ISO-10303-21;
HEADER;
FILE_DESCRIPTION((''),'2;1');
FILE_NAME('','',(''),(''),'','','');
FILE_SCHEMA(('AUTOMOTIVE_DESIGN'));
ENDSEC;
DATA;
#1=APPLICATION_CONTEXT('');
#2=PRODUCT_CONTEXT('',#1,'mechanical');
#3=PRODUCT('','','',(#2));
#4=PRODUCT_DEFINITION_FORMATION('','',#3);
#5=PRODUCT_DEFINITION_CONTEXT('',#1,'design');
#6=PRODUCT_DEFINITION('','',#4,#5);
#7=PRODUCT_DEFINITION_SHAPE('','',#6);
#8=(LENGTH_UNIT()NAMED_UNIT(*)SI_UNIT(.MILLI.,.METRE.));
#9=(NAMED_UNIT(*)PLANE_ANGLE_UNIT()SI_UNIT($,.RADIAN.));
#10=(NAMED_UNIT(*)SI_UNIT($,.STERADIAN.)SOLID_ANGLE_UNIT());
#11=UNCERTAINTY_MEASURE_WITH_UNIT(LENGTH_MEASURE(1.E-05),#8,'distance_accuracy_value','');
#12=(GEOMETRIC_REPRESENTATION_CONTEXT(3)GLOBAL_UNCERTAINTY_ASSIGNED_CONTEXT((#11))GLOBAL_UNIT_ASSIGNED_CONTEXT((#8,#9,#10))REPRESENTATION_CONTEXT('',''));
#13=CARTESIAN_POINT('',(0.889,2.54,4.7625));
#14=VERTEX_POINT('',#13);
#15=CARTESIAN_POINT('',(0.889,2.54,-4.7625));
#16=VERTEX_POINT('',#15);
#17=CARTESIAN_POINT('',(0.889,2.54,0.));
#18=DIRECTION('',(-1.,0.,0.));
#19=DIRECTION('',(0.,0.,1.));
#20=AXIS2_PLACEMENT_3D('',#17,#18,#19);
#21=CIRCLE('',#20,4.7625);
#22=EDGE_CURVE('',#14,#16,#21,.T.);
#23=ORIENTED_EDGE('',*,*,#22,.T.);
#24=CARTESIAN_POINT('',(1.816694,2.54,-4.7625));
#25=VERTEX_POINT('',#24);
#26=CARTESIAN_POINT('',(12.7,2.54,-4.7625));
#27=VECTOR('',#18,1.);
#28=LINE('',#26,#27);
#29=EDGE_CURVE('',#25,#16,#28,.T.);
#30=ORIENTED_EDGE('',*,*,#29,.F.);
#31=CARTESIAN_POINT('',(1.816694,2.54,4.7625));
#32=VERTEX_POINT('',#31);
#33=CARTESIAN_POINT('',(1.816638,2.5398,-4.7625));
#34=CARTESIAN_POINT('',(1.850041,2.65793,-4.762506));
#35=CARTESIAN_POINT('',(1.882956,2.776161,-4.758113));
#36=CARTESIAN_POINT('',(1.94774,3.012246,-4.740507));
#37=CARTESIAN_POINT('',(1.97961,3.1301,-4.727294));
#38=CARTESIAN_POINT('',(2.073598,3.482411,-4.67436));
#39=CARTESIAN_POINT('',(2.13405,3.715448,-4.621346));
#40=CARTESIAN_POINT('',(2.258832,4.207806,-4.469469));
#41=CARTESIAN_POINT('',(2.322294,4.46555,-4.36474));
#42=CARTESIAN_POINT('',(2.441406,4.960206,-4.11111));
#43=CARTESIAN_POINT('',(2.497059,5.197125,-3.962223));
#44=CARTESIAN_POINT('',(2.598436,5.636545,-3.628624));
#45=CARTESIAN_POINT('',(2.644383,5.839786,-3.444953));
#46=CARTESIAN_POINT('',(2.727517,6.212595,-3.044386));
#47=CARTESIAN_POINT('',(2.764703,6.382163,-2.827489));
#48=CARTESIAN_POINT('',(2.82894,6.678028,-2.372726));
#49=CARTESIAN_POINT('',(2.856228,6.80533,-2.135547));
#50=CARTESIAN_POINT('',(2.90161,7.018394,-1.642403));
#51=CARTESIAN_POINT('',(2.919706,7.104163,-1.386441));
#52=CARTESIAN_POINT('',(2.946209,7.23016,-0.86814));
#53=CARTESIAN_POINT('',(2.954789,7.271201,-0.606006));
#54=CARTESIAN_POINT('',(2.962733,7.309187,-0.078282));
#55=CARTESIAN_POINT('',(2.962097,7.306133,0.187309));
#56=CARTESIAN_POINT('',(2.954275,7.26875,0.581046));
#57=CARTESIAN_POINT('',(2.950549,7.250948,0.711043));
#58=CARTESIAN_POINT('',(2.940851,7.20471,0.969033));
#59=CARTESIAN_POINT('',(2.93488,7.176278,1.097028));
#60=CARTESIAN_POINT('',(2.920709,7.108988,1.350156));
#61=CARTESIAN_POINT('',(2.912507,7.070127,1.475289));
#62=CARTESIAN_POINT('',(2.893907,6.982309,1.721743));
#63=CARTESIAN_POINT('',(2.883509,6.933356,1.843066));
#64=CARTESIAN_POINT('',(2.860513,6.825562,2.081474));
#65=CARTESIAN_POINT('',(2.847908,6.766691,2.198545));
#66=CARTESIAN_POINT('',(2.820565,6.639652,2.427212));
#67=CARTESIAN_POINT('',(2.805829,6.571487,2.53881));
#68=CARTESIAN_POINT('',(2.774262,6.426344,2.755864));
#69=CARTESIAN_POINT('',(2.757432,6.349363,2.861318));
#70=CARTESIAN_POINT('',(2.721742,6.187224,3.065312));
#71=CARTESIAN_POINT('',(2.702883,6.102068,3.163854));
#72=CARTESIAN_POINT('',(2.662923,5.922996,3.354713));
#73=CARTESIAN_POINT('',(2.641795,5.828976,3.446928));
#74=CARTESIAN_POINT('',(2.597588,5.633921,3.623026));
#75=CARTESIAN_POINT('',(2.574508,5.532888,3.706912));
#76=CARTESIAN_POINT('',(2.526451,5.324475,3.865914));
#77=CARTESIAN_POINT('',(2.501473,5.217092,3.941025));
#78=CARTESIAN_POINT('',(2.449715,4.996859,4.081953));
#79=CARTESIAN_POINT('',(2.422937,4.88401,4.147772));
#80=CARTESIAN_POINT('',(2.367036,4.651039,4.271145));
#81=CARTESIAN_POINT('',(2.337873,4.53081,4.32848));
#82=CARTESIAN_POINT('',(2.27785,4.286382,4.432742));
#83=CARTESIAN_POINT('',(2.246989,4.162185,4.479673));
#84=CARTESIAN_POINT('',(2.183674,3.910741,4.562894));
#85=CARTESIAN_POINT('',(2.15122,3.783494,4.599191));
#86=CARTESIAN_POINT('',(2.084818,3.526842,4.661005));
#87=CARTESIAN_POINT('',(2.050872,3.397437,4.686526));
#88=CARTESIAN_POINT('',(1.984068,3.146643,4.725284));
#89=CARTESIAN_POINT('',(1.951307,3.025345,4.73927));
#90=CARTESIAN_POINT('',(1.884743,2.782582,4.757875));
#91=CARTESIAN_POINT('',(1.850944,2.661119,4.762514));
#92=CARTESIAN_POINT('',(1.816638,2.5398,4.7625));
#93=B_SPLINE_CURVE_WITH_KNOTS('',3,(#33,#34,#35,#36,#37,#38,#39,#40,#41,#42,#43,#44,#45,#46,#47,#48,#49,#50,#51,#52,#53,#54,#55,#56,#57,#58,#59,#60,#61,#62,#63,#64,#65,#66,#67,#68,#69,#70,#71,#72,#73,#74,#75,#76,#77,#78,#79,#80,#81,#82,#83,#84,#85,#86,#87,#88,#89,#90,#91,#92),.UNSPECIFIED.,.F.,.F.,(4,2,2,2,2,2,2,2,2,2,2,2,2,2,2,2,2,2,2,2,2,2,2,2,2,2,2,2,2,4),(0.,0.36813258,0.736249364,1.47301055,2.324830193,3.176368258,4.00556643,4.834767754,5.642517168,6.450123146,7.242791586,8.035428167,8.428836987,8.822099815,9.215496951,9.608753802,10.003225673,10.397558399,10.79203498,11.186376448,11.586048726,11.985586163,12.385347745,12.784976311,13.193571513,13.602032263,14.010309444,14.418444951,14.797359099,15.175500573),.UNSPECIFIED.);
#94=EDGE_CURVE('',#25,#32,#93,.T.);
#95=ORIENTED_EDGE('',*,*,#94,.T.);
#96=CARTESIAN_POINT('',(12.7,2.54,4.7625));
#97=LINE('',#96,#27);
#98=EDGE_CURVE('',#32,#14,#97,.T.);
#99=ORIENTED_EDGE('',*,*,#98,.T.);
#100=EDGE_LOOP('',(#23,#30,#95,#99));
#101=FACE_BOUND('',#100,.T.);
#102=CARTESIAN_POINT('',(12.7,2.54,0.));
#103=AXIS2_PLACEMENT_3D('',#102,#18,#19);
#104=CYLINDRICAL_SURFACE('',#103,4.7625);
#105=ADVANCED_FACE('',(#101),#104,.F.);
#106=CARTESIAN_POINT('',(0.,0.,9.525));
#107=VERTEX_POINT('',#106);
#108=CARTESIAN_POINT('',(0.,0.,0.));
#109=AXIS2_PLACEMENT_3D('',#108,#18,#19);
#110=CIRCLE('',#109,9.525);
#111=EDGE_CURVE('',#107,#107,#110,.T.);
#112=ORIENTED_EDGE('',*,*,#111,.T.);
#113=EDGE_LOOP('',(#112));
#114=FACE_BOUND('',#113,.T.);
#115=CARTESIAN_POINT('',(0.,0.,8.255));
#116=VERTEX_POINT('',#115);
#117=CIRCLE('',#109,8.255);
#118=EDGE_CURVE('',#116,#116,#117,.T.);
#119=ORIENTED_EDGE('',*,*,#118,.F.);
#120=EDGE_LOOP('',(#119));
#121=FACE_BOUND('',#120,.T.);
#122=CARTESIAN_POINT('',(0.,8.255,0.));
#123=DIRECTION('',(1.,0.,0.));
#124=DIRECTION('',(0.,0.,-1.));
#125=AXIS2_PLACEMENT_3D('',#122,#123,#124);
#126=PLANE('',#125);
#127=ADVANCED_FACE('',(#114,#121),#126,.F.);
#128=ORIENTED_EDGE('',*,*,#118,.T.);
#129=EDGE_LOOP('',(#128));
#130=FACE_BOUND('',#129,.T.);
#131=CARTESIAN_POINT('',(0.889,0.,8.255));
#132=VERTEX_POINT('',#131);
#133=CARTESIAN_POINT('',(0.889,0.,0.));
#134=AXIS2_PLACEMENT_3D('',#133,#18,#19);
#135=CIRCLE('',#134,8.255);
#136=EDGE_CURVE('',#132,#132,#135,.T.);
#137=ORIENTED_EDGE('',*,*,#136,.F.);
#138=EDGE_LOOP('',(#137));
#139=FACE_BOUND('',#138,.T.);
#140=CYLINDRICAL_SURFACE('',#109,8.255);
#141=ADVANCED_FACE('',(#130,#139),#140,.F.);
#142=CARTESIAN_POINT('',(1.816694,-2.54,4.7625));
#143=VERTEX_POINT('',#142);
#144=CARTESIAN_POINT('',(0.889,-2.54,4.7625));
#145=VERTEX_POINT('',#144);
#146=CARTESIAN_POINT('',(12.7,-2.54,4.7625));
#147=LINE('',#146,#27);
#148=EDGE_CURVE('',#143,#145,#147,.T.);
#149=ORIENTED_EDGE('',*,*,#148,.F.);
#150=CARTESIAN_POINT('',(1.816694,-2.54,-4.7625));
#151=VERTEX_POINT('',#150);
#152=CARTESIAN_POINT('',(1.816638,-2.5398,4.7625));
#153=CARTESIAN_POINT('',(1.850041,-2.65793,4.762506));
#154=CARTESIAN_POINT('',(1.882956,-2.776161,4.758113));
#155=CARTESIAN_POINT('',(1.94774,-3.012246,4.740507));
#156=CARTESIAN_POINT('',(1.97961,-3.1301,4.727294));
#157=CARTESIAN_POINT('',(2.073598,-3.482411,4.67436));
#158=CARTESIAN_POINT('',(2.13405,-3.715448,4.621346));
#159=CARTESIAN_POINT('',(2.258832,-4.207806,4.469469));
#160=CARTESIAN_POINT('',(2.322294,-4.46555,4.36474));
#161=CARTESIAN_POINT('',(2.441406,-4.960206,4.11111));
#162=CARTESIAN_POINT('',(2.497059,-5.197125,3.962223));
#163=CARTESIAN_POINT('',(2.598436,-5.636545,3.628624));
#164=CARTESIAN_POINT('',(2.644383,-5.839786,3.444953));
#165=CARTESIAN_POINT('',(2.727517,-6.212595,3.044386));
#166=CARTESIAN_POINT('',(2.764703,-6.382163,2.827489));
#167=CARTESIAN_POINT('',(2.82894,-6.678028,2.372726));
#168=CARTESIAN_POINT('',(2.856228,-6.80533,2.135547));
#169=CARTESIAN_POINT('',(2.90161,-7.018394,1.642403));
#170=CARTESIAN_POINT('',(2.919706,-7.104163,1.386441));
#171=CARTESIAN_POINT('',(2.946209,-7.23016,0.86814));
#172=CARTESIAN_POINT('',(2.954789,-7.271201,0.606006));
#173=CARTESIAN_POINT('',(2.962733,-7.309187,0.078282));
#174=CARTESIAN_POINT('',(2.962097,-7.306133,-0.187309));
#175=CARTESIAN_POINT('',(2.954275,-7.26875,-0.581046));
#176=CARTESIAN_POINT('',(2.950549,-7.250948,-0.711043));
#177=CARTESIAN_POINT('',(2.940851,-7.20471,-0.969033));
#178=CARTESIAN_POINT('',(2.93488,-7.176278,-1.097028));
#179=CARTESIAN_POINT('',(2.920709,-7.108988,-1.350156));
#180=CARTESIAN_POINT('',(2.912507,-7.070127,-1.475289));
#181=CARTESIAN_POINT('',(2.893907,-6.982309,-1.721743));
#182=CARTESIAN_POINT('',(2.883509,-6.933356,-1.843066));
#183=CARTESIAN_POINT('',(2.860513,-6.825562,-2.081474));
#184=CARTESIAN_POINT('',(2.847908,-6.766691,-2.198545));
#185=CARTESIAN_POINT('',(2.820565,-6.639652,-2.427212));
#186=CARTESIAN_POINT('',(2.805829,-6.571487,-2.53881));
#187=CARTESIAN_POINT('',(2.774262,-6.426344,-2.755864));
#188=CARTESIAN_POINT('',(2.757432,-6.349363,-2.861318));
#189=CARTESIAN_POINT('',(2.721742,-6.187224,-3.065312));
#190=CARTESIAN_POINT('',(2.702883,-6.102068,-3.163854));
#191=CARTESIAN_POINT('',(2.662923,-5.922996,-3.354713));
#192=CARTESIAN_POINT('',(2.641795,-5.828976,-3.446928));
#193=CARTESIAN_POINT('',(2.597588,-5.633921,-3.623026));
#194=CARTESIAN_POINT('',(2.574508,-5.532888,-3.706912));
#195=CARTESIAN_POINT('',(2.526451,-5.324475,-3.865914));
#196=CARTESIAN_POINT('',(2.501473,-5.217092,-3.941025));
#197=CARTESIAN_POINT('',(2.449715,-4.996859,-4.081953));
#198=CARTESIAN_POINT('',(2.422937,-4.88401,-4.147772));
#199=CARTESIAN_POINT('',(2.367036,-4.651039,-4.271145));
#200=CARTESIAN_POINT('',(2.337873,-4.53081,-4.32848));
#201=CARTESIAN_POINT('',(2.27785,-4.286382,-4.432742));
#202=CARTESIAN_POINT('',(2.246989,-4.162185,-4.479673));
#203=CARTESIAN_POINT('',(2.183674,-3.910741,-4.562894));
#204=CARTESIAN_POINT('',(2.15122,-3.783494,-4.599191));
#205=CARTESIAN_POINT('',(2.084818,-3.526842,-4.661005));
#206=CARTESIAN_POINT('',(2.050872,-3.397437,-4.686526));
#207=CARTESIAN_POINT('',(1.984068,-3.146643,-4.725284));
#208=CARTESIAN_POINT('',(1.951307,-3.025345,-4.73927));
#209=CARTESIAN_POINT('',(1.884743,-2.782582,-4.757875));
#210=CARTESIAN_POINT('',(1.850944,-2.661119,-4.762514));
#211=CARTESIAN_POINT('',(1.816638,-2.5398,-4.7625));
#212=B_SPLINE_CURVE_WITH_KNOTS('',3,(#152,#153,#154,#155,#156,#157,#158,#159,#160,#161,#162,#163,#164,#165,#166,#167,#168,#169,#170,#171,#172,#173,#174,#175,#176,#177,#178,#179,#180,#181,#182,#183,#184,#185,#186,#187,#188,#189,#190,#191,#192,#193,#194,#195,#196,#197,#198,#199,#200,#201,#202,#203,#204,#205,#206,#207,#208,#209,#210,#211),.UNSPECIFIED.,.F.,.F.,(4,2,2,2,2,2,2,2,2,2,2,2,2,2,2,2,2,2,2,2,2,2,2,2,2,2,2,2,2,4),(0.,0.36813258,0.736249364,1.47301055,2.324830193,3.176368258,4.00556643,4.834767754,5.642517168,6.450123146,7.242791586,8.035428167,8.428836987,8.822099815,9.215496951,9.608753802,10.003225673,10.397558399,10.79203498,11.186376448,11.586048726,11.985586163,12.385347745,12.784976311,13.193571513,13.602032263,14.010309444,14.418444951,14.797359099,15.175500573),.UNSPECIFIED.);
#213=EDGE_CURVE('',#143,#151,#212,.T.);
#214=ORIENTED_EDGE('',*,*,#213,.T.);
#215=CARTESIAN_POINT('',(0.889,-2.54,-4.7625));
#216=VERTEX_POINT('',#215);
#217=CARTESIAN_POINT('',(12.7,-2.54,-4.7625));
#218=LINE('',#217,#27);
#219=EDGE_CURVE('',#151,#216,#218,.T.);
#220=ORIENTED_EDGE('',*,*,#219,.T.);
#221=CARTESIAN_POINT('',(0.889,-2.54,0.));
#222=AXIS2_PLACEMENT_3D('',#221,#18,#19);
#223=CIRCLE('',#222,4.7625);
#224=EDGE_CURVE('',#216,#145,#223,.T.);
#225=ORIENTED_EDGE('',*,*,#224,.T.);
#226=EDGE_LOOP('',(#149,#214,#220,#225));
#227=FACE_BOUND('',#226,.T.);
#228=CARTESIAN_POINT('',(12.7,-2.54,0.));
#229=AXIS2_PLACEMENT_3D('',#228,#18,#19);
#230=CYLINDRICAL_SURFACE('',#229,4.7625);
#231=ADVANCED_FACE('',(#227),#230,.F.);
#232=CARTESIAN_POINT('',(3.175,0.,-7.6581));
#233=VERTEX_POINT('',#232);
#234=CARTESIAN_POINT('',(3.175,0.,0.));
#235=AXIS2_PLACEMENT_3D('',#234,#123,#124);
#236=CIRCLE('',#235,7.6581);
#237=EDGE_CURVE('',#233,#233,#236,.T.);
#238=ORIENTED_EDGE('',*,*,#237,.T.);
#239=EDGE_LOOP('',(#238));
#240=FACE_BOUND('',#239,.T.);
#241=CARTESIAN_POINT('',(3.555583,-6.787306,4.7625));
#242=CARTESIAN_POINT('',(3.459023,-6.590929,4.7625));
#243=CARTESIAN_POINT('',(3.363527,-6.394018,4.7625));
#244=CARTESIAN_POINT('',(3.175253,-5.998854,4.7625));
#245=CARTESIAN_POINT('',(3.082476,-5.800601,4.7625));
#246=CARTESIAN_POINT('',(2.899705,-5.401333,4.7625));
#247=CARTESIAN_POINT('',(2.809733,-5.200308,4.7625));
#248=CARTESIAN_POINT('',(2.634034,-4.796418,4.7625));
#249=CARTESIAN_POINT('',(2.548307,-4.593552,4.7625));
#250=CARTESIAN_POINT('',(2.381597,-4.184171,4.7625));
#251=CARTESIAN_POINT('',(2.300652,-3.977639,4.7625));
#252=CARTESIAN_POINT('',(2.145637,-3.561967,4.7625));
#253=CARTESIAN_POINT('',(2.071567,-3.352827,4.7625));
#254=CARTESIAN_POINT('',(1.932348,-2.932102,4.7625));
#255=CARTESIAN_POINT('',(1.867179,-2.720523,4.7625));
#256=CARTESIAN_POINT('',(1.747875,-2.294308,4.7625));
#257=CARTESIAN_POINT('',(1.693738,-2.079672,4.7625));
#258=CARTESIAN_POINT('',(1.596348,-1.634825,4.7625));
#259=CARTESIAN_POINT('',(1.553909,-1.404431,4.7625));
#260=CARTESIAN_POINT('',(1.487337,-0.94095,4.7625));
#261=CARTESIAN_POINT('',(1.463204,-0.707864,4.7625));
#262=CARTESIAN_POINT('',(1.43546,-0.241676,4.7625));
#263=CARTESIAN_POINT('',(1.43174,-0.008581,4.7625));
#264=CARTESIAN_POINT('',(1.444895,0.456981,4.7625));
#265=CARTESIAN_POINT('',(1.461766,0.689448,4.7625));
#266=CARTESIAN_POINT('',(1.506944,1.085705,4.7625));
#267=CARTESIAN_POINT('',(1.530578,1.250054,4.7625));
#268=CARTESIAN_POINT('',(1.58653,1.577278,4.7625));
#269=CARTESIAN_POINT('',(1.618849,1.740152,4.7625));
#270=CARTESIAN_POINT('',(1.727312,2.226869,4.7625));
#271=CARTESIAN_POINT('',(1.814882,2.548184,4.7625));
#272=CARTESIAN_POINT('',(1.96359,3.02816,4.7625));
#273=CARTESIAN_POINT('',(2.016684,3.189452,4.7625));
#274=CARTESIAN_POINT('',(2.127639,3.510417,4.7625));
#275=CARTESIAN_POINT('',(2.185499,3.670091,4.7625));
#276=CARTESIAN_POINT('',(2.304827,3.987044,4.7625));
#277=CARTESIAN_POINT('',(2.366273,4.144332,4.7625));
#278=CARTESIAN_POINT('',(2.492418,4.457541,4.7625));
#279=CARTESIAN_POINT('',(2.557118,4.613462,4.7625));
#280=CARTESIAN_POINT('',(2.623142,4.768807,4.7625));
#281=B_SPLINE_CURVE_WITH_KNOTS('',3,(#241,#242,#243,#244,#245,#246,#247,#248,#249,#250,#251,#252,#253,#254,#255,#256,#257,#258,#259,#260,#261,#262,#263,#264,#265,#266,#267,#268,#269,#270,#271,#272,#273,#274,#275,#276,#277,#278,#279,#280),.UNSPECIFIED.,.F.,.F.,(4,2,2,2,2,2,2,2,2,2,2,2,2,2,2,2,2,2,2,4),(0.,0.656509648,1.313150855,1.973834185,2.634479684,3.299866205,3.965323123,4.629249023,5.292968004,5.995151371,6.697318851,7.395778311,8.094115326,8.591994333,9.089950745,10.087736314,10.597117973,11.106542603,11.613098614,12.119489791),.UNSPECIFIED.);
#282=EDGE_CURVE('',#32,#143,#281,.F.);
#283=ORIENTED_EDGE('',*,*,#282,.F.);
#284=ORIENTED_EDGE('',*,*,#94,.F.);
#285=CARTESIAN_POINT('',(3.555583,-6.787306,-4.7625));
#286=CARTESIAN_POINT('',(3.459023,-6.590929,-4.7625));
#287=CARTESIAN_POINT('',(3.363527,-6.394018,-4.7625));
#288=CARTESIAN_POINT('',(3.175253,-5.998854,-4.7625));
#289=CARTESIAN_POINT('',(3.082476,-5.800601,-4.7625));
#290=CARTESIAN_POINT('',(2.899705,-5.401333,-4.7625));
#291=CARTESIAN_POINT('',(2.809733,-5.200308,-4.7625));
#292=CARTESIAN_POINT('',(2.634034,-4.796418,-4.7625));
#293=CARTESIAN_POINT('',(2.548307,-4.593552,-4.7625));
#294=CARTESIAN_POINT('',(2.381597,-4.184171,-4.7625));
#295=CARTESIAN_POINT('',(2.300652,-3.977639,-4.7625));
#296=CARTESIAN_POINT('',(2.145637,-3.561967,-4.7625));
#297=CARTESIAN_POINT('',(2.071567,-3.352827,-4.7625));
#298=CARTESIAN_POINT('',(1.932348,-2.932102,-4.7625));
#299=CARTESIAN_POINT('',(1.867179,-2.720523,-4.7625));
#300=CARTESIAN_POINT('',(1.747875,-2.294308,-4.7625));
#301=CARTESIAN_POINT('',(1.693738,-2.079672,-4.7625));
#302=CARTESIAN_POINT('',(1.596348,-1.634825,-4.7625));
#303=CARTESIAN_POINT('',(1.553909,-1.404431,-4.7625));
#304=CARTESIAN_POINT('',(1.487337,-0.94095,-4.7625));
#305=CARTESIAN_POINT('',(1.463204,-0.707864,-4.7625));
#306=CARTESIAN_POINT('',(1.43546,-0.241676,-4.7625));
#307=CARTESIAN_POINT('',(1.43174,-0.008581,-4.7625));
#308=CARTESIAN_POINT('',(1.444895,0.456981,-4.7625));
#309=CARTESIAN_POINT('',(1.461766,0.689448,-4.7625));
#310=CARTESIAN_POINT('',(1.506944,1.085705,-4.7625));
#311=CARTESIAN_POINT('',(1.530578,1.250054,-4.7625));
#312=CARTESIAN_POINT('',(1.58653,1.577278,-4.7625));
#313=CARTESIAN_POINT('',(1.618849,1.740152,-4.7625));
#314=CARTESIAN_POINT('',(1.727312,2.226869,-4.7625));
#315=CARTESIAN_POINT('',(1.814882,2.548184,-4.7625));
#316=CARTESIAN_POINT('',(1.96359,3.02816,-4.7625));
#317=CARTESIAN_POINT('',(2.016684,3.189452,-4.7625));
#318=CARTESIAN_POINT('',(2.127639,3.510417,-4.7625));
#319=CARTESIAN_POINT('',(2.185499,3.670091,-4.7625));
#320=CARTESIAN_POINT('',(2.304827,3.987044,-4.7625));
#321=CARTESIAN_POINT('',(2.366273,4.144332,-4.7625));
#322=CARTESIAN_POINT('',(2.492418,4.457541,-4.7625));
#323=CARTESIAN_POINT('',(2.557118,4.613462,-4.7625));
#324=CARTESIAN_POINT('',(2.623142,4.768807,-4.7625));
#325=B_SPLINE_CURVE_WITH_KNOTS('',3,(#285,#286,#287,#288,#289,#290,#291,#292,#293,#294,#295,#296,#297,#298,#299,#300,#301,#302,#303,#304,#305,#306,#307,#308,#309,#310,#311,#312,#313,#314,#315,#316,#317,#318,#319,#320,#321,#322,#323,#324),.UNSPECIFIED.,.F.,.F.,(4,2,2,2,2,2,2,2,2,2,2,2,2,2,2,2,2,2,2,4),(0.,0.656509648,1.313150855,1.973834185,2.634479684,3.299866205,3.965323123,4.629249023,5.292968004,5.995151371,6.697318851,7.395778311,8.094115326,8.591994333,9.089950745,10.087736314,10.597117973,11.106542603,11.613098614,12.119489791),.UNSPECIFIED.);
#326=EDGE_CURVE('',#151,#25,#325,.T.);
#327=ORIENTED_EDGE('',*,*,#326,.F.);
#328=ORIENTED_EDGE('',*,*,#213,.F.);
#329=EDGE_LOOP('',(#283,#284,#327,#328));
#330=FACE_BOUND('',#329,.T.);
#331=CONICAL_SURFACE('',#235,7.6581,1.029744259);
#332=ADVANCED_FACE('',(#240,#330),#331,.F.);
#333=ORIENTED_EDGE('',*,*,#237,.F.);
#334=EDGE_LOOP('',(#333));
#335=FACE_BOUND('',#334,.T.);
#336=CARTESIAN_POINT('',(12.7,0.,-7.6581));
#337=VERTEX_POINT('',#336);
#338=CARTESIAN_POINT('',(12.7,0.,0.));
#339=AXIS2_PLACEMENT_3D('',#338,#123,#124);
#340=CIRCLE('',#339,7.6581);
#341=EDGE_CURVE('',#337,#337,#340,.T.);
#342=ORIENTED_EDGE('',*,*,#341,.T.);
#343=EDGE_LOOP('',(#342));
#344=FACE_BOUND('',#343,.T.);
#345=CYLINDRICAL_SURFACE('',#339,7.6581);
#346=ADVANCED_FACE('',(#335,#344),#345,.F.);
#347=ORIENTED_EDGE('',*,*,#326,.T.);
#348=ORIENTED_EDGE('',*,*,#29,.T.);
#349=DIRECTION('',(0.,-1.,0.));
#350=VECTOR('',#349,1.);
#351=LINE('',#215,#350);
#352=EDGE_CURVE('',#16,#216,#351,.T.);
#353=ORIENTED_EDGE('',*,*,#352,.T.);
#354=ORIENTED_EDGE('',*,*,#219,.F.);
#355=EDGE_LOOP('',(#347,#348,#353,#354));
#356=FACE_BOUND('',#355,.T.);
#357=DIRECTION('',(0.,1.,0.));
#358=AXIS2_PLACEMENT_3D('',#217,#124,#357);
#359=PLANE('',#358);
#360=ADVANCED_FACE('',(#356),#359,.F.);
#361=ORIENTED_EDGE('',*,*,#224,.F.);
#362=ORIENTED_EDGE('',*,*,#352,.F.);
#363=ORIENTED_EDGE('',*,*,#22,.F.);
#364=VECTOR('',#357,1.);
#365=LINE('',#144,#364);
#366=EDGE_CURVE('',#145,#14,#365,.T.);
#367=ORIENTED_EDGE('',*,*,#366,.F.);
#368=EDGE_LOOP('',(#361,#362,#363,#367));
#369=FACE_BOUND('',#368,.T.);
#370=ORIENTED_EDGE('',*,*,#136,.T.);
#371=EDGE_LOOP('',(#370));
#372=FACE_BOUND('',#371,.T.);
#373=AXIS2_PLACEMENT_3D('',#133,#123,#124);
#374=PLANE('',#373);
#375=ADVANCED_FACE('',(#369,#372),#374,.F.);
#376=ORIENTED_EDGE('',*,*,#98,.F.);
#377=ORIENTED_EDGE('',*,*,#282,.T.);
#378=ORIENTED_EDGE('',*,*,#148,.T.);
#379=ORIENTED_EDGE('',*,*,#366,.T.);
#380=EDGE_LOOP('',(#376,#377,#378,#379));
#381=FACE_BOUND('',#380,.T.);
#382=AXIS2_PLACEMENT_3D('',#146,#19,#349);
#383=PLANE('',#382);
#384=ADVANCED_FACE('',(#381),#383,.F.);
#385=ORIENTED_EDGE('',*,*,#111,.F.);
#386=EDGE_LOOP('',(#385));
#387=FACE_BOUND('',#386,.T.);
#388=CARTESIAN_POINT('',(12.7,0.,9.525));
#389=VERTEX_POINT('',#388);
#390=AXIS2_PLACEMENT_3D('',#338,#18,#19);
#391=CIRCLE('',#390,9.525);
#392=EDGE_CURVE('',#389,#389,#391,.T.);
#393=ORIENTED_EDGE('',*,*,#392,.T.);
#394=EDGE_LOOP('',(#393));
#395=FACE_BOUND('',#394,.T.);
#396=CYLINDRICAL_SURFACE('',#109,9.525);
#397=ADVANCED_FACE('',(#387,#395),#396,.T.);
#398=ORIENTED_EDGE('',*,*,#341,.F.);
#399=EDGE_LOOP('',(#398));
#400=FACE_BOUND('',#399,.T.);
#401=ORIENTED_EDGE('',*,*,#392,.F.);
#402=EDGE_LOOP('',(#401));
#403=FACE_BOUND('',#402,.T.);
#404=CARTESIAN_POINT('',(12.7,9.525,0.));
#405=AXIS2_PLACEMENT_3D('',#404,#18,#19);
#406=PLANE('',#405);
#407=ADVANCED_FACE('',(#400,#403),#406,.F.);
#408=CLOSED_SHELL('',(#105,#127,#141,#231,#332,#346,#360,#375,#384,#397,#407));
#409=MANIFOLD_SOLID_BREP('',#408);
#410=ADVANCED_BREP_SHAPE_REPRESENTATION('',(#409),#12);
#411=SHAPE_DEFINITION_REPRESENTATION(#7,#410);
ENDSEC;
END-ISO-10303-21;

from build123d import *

# Parameters (mm, degrees)
CUT_EXTRUDE1_DEPTH               = 18.915104549
F_3_8_18_NPSM_TAPPED_HOLE1_D     = 15.3162
F_3_8_18_NPSM_TAPPED_HOLE1_DEPTH = 9.525
F_3_8_18_NPSM_TAPPED_HOLE1_TIP   = 4.601450707


with BuildPart() as part:
    # Sketch1 → Revolve1 (revolve)
    with BuildSketch(Plane.XY, mode=Mode.PRIVATE) as revolve1_sk:
        Polygon((0, 9.525), (12.7, 9.525), (12.7, 0), (0.889, 0), (0.889, 8.255), (0, 8.255), align=None)
    revolve(revolve1_sk.sketch.rotate(Axis((0, 0, 0), (1, 0, 0)), 90), axis=Axis((0, 0, 0), (1, 0, 0)))

    # Sketch2 → Cut-Extrude1 (cut, through all)
    with BuildSketch(Plane.ZY.offset(-0.889)):
        with BuildLine():
            Line((-4.7625, -2.54), (-4.7625, 2.54))
            ThreePointArc((-4.7625, 2.54), (0, 7.3025), (4.7625, 2.54))
            Line((4.7625, 2.54), (4.7625, -2.54))
            ThreePointArc((4.7625, -2.54), (0, -7.3025), (-4.7625, -2.54))
        make_face()
    extrude(amount=-CUT_EXTRUDE1_DEPTH, mode=Mode.SUBTRACT)

    # 3/8-18 NPSM Tapped Hole1
    with Locations(Plane(origin=(12.7, 0, 0), x_dir=(0, 0, -1), z_dir=(1, 0, 0))):
        with Locations((0, 0)):
            Hole(F_3_8_18_NPSM_TAPPED_HOLE1_D / 2, depth=F_3_8_18_NPSM_TAPPED_HOLE1_DEPTH)
            with Locations((0, 0, -(F_3_8_18_NPSM_TAPPED_HOLE1_DEPTH + F_3_8_18_NPSM_TAPPED_HOLE1_TIP / 2))):  # 118° drill point
                Cone(0, F_3_8_18_NPSM_TAPPED_HOLE1_D / 2, F_3_8_18_NPSM_TAPPED_HOLE1_TIP, mode=Mode.SUBTRACT)


solid = part.part
